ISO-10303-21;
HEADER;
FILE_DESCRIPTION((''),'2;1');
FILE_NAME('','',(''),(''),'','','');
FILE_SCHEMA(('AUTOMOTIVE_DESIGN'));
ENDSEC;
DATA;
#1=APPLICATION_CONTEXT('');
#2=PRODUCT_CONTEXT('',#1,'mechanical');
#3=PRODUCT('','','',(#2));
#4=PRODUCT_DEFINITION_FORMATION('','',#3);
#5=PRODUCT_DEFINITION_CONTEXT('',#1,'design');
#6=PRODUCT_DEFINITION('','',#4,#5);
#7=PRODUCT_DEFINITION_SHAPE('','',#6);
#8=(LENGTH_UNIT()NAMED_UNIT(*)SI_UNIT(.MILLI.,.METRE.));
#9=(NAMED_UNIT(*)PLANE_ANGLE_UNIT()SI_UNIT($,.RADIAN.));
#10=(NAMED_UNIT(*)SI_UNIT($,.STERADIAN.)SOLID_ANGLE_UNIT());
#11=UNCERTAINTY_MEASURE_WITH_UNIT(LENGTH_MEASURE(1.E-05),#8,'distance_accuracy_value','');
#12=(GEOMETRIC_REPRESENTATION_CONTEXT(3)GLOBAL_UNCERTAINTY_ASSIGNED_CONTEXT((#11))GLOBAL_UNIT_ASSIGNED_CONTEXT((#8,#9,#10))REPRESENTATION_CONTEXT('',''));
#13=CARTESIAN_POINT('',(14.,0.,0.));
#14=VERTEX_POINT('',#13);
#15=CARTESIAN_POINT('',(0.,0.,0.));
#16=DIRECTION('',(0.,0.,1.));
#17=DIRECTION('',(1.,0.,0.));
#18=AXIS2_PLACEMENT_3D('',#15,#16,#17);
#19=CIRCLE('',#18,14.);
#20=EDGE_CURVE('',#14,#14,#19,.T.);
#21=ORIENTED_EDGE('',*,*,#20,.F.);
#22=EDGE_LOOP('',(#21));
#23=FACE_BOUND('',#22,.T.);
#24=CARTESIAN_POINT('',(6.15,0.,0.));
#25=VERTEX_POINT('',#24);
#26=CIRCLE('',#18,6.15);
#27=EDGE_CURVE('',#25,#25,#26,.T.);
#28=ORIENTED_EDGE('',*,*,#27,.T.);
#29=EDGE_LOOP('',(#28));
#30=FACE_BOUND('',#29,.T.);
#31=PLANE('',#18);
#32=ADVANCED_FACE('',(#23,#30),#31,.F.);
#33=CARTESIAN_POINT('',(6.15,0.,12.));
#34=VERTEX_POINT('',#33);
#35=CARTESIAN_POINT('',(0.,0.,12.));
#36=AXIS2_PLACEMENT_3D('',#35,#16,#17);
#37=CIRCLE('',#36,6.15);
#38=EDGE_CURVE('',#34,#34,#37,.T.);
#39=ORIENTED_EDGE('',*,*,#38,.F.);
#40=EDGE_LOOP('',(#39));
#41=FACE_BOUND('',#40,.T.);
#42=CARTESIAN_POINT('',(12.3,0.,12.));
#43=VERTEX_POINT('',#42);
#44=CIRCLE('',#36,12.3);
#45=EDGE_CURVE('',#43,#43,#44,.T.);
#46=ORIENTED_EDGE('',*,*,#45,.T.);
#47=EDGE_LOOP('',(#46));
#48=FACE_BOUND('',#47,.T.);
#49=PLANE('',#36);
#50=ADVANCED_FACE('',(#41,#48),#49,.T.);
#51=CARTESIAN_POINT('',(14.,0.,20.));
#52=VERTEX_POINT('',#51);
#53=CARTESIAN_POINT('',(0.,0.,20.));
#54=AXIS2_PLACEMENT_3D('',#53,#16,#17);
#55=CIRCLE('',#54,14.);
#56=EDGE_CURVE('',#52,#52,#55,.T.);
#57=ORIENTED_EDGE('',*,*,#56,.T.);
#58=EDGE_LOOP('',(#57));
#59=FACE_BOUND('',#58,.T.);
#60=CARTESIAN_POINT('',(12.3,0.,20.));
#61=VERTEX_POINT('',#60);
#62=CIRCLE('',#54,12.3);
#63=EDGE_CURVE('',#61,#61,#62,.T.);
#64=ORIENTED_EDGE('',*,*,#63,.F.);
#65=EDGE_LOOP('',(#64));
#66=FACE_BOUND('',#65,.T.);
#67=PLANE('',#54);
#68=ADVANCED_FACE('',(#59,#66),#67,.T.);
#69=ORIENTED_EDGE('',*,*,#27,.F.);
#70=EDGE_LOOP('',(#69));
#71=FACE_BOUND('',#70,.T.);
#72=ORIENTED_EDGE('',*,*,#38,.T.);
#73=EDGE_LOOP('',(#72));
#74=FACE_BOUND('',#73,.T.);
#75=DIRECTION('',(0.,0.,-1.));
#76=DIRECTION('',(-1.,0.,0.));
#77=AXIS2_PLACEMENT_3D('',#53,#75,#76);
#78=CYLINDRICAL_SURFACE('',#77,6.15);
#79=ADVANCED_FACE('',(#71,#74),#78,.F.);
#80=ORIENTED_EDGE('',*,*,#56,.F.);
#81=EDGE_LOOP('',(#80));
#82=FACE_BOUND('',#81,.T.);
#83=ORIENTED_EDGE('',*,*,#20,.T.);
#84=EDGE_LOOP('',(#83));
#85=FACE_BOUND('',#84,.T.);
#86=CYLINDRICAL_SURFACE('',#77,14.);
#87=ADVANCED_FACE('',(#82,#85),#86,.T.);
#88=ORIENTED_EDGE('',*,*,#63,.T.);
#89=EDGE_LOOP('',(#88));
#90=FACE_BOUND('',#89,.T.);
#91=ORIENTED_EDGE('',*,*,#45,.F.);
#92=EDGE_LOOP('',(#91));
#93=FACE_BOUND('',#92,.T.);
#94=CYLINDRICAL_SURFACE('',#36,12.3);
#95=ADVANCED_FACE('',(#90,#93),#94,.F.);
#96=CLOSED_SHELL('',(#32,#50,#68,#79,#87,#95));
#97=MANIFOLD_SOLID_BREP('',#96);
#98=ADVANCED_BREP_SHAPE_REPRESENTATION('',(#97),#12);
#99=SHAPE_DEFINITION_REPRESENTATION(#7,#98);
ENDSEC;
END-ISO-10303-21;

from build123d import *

# Parameters (mm, degrees)
SKETCH1_R           = 14
SKETCH1_R_2         = 6.15
BOSS_EXTRUDE1_DEPTH = 20
SKETCH2_R           = 12.3
CUT_EXTRUDE1_DEPTH  = 8


with BuildPart() as part:
    # Sketch1 → Boss-Extrude1 (new body)
    with BuildSketch(Plane.XY):
        Circle(SKETCH1_R)
        Circle(SKETCH1_R_2, mode=Mode.SUBTRACT)
    extrude(amount=BOSS_EXTRUDE1_DEPTH)

    # Sketch2 → Cut-Extrude1 (cut)
    with BuildSketch(Plane.XY.offset(20)):
        Circle(SKETCH2_R)
    extrude(amount=-CUT_EXTRUDE1_DEPTH, mode=Mode.SUBTRACT)


solid = part.part
